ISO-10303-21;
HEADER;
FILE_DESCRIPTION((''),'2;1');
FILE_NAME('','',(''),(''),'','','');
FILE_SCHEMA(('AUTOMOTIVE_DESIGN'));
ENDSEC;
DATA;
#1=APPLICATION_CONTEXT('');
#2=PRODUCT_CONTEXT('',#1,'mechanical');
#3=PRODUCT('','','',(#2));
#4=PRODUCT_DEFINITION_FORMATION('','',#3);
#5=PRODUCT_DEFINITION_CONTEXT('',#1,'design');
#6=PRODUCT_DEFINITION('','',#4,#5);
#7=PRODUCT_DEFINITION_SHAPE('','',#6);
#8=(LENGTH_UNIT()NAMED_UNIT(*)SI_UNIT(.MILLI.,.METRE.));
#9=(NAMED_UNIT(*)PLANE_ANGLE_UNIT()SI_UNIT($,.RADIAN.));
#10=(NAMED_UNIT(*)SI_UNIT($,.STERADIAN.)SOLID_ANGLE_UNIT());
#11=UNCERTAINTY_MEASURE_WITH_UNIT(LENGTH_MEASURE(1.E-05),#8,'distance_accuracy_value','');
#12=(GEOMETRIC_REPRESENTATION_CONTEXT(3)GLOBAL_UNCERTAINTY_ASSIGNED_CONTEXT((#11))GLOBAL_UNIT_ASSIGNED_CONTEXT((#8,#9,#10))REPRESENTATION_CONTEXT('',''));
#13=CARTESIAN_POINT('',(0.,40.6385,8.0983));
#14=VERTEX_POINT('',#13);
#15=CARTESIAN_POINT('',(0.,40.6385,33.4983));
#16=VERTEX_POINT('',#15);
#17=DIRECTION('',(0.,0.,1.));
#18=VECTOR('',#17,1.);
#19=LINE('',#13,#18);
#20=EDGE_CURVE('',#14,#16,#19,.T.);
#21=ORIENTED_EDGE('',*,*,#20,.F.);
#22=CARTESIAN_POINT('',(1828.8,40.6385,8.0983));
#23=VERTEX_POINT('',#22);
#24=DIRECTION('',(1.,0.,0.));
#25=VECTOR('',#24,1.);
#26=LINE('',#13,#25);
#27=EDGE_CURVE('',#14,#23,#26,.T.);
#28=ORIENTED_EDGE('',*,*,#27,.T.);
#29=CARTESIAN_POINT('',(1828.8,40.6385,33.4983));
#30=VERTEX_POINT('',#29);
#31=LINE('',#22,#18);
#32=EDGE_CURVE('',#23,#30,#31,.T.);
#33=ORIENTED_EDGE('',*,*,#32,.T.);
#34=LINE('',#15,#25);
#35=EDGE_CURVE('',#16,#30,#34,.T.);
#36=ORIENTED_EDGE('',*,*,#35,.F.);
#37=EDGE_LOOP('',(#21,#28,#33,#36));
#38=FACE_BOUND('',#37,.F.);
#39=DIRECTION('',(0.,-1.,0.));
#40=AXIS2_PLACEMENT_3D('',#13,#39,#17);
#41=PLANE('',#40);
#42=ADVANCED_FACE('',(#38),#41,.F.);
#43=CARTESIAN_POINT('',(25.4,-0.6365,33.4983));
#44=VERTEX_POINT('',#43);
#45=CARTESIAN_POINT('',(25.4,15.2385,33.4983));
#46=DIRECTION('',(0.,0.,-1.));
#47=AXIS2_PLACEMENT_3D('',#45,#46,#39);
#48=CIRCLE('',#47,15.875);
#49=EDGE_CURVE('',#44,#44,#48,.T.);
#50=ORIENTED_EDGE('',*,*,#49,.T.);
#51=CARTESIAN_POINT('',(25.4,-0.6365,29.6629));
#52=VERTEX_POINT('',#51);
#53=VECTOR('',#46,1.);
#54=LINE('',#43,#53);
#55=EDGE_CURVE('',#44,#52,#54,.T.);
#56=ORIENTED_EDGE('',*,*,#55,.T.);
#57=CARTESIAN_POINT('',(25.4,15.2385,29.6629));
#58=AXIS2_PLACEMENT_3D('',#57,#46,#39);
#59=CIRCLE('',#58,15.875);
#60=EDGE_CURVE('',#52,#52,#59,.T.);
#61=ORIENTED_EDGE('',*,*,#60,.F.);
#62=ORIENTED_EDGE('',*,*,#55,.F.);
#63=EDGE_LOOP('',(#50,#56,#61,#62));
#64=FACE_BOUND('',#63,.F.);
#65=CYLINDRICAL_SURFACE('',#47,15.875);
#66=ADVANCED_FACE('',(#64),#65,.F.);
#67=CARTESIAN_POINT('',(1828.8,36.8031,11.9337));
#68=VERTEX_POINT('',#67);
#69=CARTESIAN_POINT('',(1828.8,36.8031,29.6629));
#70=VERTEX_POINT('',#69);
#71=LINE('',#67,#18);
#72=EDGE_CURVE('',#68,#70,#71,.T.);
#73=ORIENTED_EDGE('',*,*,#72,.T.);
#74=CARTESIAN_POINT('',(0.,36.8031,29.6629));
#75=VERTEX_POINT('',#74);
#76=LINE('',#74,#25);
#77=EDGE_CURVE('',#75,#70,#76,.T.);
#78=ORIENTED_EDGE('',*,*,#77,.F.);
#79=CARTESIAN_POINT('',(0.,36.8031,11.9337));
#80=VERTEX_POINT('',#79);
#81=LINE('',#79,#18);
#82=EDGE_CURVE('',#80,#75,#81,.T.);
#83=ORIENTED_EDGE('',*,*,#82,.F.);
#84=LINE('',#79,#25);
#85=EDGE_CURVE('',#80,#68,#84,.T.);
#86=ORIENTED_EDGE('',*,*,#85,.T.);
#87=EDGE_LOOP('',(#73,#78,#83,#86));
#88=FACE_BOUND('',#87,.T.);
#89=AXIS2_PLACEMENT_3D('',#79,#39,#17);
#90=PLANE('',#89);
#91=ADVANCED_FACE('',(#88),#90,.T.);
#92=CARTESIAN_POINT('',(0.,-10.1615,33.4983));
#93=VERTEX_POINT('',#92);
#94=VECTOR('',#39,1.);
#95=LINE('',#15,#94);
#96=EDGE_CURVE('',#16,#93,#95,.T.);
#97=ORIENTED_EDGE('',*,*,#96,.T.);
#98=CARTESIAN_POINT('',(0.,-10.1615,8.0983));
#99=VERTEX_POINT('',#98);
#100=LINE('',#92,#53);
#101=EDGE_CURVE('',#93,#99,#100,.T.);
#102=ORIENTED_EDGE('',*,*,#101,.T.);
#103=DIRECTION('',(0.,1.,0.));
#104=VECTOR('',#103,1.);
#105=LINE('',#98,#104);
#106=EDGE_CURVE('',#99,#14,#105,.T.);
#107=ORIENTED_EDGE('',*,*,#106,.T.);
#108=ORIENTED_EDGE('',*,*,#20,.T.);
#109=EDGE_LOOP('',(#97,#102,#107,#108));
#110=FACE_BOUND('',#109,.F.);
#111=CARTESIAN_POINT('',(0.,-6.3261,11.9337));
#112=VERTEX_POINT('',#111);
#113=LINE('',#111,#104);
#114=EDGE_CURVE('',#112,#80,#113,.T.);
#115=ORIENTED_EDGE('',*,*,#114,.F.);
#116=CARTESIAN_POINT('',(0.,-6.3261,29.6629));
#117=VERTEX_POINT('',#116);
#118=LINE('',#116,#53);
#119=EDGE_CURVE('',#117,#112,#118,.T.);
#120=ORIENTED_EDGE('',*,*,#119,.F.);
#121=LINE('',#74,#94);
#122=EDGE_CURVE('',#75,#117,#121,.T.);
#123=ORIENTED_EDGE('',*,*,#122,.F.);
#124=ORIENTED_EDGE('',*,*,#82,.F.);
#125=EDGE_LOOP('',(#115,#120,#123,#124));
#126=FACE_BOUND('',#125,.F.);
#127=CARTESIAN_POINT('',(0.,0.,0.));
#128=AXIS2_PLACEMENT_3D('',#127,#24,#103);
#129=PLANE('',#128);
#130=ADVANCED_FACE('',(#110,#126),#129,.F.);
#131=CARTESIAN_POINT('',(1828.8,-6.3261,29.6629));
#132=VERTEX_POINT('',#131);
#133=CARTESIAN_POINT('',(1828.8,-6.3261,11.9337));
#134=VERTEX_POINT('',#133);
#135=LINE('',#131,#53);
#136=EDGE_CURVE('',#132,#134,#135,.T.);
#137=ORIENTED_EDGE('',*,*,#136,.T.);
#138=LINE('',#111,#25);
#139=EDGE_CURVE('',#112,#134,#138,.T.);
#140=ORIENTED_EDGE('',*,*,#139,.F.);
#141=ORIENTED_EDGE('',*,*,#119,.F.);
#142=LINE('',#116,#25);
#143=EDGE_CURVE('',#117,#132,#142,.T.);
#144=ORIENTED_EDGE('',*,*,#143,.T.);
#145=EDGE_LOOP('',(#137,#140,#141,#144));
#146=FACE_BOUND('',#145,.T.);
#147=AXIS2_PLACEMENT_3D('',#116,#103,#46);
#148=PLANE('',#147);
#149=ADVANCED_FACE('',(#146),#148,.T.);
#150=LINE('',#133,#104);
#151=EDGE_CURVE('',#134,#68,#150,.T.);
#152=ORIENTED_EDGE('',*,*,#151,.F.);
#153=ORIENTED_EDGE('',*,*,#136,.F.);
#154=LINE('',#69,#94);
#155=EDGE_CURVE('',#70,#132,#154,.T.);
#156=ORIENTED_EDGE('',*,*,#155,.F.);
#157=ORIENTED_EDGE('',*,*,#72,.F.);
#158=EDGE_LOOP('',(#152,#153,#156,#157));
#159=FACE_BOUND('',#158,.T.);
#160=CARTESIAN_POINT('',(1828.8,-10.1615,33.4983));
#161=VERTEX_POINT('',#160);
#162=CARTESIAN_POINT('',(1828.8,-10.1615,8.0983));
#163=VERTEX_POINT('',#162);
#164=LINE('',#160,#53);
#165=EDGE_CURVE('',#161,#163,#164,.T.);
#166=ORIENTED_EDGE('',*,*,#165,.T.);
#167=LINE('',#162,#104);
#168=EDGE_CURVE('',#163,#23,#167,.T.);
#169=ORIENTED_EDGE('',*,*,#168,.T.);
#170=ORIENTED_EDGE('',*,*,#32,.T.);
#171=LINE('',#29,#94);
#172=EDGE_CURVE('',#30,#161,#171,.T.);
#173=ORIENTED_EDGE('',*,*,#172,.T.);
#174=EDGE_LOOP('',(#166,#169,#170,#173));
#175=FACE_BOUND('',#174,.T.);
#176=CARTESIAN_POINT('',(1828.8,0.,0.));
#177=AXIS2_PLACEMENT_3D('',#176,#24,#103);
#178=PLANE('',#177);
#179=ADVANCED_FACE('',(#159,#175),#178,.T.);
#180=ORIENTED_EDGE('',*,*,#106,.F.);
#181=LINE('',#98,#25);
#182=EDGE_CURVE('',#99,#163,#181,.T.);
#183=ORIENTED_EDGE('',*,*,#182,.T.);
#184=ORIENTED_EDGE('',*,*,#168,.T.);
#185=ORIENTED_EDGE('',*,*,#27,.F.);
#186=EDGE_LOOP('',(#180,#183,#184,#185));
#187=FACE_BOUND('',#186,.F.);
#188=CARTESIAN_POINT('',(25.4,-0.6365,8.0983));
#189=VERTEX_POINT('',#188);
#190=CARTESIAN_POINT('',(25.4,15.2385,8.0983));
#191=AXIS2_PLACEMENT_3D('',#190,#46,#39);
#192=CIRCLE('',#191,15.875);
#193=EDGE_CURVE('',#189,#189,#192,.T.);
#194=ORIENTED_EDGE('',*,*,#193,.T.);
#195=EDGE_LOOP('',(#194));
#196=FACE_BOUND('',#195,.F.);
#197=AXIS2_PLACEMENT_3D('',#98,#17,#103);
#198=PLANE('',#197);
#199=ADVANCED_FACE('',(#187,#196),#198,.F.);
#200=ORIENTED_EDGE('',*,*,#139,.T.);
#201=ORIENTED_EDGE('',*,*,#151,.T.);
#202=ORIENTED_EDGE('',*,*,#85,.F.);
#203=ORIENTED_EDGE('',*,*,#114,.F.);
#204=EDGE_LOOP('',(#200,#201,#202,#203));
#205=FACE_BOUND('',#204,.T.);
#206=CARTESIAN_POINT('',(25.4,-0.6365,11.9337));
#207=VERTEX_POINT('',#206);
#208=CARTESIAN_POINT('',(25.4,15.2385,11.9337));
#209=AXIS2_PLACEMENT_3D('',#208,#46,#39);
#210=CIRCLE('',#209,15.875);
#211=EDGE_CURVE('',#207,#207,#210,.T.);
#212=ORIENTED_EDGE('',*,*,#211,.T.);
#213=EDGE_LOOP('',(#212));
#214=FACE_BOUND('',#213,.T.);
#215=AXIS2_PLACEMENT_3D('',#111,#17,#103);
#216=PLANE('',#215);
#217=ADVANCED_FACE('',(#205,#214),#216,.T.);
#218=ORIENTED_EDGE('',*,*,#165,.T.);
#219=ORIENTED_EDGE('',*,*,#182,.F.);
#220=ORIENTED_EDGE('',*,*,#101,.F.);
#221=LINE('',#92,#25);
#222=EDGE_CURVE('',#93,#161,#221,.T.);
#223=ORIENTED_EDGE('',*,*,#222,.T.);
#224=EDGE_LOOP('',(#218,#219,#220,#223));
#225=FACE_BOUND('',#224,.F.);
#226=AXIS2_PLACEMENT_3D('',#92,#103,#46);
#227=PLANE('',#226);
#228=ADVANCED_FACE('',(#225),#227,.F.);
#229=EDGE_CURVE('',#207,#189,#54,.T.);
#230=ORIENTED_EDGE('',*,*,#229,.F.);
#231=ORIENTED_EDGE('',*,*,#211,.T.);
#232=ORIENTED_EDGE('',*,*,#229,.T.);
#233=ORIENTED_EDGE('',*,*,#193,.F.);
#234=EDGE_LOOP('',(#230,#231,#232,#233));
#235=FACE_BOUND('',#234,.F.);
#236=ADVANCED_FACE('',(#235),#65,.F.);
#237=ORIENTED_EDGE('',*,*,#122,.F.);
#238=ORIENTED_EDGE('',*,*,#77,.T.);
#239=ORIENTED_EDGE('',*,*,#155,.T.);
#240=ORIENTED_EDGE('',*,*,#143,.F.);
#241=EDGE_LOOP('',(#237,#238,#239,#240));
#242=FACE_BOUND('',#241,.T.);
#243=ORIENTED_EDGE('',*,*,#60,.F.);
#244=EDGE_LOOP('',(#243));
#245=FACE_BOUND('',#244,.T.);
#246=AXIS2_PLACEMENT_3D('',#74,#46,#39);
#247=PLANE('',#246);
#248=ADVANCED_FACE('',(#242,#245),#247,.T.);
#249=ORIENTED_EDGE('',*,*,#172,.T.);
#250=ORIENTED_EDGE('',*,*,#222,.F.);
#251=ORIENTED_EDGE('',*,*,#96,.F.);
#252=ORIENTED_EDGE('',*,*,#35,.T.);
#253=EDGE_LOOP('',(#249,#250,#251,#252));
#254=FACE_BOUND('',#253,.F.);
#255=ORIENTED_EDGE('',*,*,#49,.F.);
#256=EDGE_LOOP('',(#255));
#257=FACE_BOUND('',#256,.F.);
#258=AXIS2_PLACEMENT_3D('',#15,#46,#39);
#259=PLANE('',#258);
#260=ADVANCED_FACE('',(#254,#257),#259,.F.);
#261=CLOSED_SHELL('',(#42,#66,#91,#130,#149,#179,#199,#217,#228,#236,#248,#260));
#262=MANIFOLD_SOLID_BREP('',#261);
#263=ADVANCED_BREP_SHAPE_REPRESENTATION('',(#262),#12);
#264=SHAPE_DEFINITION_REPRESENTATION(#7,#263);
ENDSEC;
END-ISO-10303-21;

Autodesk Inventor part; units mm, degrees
ref_plane "YZ Plane" through (0, 0, 0) normal (1, 0, 0) x (0, 1, 0)
ref_plane "XZ Plane" through (0, 0, 0) normal (0, 1, 0) x (-1, 0, 0)
ref_plane "XY Plane" through (0, 0, 0) normal (0, 0, 1) x (1, 0, 0)
sketch "Sketch3" plane through (0, 0, 0) normal (1, 0, 0) x (0, 1, 0)
  line L0 (36.8031, 29.6629) -> (-6.3261, 29.6629)
  line L1 (-6.3261, 29.6629) -> (-6.3261, 11.9337)
  line L2 (-6.3261, 11.9337) -> (36.8031, 11.9337)
  line L3 (36.8031, 11.9337) -> (36.8031, 29.6629)
  line L4 (40.6385, 33.4983) -> (-10.1615, 33.4983)
  line L5 (-10.1615, 33.4983) -> (-10.1615, 8.0983)
  line L6 (-10.1615, 8.0983) -> (40.6385, 8.0983)
  line L7 (40.6385, 8.0983) -> (40.6385, 33.4983)
  point P0 (0, 0)
  dimension "d2" = 43.1292
  dimension "d3" = 17.7292
  dimension "d4" = 50.8
  dimension "d5" = 25.4
  dimension "d6" = 3.8354
  dimension "d7" = 3.8354
extrude "Extrusion1" add sketch "Sketch3" along normal blind 1828.8
sketch "Sketch4" plane through (0, -10.1615, 33.4983) normal (0, 0, 1) x (1, 0, 0)
  circle A0 centre (25.4, 25.4) radius 14.2875
  line L0 (0, 50.8) -> (1828.8, 50.8) projected
  line L1 (0, 50.8) -> (0, 0) projected
  point P0 (0, 10.1615)
  dimension "d10" = 28.575
  dimension "d11" = 25.4
  dimension "d12" = 25.4
hole "Hole1" at (25.4, 15.2385, 33.4983) direction (0, 0, -1) diameter 31.75 end through all
properties part number "box beam"
